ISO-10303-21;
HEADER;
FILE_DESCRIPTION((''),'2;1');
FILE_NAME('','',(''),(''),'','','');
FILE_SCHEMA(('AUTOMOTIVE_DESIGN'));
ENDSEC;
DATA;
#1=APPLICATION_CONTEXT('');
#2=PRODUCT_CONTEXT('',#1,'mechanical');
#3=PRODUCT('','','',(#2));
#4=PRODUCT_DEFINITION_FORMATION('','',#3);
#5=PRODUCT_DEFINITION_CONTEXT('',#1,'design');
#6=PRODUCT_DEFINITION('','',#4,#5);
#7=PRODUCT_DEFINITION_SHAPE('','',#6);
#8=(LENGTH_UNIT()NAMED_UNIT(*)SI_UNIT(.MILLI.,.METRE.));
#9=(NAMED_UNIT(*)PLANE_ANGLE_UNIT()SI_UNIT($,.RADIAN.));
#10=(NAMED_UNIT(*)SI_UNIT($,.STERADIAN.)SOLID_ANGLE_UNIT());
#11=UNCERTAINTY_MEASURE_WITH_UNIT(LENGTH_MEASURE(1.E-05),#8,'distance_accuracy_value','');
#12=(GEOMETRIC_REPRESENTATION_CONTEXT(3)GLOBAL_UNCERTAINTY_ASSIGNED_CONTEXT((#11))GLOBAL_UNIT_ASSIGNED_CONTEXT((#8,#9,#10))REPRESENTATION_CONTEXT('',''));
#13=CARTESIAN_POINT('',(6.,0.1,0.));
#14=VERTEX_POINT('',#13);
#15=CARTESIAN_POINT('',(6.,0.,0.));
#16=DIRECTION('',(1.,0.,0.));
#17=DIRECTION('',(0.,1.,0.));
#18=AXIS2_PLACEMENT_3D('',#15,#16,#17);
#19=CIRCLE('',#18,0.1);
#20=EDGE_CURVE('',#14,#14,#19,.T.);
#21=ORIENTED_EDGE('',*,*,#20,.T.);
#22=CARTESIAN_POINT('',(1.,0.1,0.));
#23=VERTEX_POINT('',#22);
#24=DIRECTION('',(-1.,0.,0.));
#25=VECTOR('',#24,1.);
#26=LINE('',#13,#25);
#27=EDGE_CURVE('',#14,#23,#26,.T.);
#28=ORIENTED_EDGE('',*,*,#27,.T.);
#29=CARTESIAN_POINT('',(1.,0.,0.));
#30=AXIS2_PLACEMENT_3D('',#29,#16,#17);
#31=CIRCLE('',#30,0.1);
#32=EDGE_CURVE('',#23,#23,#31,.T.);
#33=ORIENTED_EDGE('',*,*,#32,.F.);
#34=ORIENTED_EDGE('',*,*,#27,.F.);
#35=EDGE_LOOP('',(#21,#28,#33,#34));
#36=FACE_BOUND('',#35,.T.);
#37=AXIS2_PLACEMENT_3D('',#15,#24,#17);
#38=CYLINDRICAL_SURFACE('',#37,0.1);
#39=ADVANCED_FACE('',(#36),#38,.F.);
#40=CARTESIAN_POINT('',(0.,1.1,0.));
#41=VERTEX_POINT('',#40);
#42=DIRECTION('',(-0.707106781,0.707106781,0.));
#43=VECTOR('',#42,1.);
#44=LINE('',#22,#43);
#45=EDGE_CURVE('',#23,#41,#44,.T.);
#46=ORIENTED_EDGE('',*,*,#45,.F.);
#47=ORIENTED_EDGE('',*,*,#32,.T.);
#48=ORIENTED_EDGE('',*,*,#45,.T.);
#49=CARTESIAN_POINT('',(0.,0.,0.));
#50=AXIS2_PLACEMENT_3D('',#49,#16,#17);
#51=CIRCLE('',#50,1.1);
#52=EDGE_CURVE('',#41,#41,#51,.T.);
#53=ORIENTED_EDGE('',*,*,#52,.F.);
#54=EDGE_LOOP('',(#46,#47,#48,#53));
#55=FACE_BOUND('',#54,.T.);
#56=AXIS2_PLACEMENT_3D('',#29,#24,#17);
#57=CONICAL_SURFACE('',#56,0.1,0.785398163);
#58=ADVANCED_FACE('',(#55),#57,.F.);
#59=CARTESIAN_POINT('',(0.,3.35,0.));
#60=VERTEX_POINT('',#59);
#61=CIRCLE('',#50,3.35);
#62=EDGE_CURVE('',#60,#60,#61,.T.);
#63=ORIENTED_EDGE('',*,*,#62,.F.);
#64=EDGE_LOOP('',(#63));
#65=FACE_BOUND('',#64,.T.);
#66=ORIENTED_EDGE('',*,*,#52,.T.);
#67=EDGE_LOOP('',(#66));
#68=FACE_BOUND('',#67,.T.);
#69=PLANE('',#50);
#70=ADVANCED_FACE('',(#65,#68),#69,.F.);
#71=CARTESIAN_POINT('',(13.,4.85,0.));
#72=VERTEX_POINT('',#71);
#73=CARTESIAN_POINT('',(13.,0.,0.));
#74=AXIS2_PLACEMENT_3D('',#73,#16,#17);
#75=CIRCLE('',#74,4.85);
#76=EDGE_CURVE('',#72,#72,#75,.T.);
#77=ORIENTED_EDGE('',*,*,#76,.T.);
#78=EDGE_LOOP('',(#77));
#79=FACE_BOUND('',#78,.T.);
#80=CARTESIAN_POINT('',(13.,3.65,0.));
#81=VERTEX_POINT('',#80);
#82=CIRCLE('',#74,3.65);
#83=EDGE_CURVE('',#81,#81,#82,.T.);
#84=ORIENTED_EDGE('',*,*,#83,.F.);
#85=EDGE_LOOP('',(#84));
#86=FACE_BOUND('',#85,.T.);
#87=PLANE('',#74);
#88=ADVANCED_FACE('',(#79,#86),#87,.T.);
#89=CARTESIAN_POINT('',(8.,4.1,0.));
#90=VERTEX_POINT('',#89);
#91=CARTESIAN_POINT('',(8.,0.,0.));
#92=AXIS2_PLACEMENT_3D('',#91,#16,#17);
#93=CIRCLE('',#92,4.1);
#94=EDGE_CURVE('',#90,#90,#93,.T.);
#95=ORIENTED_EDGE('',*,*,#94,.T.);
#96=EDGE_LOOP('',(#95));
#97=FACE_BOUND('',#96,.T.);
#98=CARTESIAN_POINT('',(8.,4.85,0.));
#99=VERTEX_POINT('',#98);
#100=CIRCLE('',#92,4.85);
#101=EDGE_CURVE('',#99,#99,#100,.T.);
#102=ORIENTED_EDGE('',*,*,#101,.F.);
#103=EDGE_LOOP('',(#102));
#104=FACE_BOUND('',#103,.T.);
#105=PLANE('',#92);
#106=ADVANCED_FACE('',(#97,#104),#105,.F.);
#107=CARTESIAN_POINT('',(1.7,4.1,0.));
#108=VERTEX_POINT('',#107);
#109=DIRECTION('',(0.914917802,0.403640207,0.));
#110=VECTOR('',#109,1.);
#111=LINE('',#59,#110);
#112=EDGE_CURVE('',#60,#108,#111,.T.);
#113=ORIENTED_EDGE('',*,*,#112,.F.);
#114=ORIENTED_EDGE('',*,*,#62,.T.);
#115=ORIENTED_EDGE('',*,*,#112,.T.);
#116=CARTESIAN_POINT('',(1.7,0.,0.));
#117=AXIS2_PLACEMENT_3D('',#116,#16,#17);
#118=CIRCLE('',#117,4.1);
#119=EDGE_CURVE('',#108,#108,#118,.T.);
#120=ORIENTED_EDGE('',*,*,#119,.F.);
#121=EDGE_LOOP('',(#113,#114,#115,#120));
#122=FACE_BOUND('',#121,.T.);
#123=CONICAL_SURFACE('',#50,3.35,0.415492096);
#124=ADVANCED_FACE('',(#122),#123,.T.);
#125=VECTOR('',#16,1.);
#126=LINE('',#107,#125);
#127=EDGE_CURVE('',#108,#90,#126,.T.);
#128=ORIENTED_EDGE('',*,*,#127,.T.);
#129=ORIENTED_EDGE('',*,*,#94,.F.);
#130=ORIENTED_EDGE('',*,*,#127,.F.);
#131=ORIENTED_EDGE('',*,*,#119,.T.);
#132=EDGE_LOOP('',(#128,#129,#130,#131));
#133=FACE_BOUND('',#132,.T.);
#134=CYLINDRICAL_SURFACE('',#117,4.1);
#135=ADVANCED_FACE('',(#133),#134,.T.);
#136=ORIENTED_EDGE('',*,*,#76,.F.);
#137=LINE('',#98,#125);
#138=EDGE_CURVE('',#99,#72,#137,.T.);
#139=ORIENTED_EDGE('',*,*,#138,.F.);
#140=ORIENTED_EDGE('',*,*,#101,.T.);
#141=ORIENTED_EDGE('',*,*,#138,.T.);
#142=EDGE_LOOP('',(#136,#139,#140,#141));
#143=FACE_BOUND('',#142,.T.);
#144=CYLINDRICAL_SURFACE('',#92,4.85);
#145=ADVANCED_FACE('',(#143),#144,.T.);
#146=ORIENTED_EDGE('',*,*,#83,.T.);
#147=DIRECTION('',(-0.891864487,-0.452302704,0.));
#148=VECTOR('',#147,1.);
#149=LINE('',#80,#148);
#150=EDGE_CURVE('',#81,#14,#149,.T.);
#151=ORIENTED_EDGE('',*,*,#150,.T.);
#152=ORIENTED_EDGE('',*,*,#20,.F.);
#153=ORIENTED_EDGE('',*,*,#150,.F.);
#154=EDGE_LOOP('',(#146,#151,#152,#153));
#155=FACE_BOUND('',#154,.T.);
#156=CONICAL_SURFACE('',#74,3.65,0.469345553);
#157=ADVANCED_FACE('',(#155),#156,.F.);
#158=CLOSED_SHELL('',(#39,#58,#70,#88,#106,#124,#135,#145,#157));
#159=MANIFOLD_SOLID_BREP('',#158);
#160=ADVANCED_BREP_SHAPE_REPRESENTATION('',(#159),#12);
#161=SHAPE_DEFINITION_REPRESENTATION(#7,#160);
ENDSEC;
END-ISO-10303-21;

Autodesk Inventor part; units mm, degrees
ref_plane "YZ Plane" through (0, 0, 0) normal (1, 0, 0) x (0, 1, 0)
ref_plane "XZ Plane" through (0, 0, 0) normal (0, 1, 0) x (-1, 0, 0)
ref_plane "XY Plane" through (0, 0, 0) normal (0, 0, 1) x (1, 0, 0)
sketch "Эскиз1" plane through (0, 0, 0) normal (0, 0, 1) x (1, 0, 0)
  line L0 (1, 0.1) -> (0, 1.1)
  line L1 (0, 1.1) -> (0, 3.35)
  line L2 (0, 3.35) -> (1.7, 4.1)
  line L3 (1.7, 4.1) -> (8, 4.1)
  line L4 (8, 4.1) -> (8, 4.85)
  line L5 (8, 4.85) -> (13, 4.85)
  line L6 (13, 4.85) -> (13, 3.65)
  line L7 (13, 3.65) -> (6, 0.1)
  line L8 (6, 0.1) -> (1, 0.1)
  line L9 (-2.6, 0) -> (15.6, 0) construction
  line L10 (0, -0.97) -> (0, 5.82) construction
  point P0 (0, 0)
  point P1 (0, -0.97)
  dimension "d1" = 0.1
  dimension "d2" = 4.1
  dimension "d3" = 1.7
  dimension "d5" = 3.35
  dimension "d6" = 1
  dimension "d7" = 135
  dimension "d8" = 5
  dimension "d9" = 13
  dimension "d10" = 4.85
  dimension "d11" = 5
  dimension "d12" = 1.2
revolve "Вращение1" add sketch "Эскиз1" angle 360 about axis through (-10, 0, 0) along (1, 0, 0)
properties part number "Сопло фильеры"
